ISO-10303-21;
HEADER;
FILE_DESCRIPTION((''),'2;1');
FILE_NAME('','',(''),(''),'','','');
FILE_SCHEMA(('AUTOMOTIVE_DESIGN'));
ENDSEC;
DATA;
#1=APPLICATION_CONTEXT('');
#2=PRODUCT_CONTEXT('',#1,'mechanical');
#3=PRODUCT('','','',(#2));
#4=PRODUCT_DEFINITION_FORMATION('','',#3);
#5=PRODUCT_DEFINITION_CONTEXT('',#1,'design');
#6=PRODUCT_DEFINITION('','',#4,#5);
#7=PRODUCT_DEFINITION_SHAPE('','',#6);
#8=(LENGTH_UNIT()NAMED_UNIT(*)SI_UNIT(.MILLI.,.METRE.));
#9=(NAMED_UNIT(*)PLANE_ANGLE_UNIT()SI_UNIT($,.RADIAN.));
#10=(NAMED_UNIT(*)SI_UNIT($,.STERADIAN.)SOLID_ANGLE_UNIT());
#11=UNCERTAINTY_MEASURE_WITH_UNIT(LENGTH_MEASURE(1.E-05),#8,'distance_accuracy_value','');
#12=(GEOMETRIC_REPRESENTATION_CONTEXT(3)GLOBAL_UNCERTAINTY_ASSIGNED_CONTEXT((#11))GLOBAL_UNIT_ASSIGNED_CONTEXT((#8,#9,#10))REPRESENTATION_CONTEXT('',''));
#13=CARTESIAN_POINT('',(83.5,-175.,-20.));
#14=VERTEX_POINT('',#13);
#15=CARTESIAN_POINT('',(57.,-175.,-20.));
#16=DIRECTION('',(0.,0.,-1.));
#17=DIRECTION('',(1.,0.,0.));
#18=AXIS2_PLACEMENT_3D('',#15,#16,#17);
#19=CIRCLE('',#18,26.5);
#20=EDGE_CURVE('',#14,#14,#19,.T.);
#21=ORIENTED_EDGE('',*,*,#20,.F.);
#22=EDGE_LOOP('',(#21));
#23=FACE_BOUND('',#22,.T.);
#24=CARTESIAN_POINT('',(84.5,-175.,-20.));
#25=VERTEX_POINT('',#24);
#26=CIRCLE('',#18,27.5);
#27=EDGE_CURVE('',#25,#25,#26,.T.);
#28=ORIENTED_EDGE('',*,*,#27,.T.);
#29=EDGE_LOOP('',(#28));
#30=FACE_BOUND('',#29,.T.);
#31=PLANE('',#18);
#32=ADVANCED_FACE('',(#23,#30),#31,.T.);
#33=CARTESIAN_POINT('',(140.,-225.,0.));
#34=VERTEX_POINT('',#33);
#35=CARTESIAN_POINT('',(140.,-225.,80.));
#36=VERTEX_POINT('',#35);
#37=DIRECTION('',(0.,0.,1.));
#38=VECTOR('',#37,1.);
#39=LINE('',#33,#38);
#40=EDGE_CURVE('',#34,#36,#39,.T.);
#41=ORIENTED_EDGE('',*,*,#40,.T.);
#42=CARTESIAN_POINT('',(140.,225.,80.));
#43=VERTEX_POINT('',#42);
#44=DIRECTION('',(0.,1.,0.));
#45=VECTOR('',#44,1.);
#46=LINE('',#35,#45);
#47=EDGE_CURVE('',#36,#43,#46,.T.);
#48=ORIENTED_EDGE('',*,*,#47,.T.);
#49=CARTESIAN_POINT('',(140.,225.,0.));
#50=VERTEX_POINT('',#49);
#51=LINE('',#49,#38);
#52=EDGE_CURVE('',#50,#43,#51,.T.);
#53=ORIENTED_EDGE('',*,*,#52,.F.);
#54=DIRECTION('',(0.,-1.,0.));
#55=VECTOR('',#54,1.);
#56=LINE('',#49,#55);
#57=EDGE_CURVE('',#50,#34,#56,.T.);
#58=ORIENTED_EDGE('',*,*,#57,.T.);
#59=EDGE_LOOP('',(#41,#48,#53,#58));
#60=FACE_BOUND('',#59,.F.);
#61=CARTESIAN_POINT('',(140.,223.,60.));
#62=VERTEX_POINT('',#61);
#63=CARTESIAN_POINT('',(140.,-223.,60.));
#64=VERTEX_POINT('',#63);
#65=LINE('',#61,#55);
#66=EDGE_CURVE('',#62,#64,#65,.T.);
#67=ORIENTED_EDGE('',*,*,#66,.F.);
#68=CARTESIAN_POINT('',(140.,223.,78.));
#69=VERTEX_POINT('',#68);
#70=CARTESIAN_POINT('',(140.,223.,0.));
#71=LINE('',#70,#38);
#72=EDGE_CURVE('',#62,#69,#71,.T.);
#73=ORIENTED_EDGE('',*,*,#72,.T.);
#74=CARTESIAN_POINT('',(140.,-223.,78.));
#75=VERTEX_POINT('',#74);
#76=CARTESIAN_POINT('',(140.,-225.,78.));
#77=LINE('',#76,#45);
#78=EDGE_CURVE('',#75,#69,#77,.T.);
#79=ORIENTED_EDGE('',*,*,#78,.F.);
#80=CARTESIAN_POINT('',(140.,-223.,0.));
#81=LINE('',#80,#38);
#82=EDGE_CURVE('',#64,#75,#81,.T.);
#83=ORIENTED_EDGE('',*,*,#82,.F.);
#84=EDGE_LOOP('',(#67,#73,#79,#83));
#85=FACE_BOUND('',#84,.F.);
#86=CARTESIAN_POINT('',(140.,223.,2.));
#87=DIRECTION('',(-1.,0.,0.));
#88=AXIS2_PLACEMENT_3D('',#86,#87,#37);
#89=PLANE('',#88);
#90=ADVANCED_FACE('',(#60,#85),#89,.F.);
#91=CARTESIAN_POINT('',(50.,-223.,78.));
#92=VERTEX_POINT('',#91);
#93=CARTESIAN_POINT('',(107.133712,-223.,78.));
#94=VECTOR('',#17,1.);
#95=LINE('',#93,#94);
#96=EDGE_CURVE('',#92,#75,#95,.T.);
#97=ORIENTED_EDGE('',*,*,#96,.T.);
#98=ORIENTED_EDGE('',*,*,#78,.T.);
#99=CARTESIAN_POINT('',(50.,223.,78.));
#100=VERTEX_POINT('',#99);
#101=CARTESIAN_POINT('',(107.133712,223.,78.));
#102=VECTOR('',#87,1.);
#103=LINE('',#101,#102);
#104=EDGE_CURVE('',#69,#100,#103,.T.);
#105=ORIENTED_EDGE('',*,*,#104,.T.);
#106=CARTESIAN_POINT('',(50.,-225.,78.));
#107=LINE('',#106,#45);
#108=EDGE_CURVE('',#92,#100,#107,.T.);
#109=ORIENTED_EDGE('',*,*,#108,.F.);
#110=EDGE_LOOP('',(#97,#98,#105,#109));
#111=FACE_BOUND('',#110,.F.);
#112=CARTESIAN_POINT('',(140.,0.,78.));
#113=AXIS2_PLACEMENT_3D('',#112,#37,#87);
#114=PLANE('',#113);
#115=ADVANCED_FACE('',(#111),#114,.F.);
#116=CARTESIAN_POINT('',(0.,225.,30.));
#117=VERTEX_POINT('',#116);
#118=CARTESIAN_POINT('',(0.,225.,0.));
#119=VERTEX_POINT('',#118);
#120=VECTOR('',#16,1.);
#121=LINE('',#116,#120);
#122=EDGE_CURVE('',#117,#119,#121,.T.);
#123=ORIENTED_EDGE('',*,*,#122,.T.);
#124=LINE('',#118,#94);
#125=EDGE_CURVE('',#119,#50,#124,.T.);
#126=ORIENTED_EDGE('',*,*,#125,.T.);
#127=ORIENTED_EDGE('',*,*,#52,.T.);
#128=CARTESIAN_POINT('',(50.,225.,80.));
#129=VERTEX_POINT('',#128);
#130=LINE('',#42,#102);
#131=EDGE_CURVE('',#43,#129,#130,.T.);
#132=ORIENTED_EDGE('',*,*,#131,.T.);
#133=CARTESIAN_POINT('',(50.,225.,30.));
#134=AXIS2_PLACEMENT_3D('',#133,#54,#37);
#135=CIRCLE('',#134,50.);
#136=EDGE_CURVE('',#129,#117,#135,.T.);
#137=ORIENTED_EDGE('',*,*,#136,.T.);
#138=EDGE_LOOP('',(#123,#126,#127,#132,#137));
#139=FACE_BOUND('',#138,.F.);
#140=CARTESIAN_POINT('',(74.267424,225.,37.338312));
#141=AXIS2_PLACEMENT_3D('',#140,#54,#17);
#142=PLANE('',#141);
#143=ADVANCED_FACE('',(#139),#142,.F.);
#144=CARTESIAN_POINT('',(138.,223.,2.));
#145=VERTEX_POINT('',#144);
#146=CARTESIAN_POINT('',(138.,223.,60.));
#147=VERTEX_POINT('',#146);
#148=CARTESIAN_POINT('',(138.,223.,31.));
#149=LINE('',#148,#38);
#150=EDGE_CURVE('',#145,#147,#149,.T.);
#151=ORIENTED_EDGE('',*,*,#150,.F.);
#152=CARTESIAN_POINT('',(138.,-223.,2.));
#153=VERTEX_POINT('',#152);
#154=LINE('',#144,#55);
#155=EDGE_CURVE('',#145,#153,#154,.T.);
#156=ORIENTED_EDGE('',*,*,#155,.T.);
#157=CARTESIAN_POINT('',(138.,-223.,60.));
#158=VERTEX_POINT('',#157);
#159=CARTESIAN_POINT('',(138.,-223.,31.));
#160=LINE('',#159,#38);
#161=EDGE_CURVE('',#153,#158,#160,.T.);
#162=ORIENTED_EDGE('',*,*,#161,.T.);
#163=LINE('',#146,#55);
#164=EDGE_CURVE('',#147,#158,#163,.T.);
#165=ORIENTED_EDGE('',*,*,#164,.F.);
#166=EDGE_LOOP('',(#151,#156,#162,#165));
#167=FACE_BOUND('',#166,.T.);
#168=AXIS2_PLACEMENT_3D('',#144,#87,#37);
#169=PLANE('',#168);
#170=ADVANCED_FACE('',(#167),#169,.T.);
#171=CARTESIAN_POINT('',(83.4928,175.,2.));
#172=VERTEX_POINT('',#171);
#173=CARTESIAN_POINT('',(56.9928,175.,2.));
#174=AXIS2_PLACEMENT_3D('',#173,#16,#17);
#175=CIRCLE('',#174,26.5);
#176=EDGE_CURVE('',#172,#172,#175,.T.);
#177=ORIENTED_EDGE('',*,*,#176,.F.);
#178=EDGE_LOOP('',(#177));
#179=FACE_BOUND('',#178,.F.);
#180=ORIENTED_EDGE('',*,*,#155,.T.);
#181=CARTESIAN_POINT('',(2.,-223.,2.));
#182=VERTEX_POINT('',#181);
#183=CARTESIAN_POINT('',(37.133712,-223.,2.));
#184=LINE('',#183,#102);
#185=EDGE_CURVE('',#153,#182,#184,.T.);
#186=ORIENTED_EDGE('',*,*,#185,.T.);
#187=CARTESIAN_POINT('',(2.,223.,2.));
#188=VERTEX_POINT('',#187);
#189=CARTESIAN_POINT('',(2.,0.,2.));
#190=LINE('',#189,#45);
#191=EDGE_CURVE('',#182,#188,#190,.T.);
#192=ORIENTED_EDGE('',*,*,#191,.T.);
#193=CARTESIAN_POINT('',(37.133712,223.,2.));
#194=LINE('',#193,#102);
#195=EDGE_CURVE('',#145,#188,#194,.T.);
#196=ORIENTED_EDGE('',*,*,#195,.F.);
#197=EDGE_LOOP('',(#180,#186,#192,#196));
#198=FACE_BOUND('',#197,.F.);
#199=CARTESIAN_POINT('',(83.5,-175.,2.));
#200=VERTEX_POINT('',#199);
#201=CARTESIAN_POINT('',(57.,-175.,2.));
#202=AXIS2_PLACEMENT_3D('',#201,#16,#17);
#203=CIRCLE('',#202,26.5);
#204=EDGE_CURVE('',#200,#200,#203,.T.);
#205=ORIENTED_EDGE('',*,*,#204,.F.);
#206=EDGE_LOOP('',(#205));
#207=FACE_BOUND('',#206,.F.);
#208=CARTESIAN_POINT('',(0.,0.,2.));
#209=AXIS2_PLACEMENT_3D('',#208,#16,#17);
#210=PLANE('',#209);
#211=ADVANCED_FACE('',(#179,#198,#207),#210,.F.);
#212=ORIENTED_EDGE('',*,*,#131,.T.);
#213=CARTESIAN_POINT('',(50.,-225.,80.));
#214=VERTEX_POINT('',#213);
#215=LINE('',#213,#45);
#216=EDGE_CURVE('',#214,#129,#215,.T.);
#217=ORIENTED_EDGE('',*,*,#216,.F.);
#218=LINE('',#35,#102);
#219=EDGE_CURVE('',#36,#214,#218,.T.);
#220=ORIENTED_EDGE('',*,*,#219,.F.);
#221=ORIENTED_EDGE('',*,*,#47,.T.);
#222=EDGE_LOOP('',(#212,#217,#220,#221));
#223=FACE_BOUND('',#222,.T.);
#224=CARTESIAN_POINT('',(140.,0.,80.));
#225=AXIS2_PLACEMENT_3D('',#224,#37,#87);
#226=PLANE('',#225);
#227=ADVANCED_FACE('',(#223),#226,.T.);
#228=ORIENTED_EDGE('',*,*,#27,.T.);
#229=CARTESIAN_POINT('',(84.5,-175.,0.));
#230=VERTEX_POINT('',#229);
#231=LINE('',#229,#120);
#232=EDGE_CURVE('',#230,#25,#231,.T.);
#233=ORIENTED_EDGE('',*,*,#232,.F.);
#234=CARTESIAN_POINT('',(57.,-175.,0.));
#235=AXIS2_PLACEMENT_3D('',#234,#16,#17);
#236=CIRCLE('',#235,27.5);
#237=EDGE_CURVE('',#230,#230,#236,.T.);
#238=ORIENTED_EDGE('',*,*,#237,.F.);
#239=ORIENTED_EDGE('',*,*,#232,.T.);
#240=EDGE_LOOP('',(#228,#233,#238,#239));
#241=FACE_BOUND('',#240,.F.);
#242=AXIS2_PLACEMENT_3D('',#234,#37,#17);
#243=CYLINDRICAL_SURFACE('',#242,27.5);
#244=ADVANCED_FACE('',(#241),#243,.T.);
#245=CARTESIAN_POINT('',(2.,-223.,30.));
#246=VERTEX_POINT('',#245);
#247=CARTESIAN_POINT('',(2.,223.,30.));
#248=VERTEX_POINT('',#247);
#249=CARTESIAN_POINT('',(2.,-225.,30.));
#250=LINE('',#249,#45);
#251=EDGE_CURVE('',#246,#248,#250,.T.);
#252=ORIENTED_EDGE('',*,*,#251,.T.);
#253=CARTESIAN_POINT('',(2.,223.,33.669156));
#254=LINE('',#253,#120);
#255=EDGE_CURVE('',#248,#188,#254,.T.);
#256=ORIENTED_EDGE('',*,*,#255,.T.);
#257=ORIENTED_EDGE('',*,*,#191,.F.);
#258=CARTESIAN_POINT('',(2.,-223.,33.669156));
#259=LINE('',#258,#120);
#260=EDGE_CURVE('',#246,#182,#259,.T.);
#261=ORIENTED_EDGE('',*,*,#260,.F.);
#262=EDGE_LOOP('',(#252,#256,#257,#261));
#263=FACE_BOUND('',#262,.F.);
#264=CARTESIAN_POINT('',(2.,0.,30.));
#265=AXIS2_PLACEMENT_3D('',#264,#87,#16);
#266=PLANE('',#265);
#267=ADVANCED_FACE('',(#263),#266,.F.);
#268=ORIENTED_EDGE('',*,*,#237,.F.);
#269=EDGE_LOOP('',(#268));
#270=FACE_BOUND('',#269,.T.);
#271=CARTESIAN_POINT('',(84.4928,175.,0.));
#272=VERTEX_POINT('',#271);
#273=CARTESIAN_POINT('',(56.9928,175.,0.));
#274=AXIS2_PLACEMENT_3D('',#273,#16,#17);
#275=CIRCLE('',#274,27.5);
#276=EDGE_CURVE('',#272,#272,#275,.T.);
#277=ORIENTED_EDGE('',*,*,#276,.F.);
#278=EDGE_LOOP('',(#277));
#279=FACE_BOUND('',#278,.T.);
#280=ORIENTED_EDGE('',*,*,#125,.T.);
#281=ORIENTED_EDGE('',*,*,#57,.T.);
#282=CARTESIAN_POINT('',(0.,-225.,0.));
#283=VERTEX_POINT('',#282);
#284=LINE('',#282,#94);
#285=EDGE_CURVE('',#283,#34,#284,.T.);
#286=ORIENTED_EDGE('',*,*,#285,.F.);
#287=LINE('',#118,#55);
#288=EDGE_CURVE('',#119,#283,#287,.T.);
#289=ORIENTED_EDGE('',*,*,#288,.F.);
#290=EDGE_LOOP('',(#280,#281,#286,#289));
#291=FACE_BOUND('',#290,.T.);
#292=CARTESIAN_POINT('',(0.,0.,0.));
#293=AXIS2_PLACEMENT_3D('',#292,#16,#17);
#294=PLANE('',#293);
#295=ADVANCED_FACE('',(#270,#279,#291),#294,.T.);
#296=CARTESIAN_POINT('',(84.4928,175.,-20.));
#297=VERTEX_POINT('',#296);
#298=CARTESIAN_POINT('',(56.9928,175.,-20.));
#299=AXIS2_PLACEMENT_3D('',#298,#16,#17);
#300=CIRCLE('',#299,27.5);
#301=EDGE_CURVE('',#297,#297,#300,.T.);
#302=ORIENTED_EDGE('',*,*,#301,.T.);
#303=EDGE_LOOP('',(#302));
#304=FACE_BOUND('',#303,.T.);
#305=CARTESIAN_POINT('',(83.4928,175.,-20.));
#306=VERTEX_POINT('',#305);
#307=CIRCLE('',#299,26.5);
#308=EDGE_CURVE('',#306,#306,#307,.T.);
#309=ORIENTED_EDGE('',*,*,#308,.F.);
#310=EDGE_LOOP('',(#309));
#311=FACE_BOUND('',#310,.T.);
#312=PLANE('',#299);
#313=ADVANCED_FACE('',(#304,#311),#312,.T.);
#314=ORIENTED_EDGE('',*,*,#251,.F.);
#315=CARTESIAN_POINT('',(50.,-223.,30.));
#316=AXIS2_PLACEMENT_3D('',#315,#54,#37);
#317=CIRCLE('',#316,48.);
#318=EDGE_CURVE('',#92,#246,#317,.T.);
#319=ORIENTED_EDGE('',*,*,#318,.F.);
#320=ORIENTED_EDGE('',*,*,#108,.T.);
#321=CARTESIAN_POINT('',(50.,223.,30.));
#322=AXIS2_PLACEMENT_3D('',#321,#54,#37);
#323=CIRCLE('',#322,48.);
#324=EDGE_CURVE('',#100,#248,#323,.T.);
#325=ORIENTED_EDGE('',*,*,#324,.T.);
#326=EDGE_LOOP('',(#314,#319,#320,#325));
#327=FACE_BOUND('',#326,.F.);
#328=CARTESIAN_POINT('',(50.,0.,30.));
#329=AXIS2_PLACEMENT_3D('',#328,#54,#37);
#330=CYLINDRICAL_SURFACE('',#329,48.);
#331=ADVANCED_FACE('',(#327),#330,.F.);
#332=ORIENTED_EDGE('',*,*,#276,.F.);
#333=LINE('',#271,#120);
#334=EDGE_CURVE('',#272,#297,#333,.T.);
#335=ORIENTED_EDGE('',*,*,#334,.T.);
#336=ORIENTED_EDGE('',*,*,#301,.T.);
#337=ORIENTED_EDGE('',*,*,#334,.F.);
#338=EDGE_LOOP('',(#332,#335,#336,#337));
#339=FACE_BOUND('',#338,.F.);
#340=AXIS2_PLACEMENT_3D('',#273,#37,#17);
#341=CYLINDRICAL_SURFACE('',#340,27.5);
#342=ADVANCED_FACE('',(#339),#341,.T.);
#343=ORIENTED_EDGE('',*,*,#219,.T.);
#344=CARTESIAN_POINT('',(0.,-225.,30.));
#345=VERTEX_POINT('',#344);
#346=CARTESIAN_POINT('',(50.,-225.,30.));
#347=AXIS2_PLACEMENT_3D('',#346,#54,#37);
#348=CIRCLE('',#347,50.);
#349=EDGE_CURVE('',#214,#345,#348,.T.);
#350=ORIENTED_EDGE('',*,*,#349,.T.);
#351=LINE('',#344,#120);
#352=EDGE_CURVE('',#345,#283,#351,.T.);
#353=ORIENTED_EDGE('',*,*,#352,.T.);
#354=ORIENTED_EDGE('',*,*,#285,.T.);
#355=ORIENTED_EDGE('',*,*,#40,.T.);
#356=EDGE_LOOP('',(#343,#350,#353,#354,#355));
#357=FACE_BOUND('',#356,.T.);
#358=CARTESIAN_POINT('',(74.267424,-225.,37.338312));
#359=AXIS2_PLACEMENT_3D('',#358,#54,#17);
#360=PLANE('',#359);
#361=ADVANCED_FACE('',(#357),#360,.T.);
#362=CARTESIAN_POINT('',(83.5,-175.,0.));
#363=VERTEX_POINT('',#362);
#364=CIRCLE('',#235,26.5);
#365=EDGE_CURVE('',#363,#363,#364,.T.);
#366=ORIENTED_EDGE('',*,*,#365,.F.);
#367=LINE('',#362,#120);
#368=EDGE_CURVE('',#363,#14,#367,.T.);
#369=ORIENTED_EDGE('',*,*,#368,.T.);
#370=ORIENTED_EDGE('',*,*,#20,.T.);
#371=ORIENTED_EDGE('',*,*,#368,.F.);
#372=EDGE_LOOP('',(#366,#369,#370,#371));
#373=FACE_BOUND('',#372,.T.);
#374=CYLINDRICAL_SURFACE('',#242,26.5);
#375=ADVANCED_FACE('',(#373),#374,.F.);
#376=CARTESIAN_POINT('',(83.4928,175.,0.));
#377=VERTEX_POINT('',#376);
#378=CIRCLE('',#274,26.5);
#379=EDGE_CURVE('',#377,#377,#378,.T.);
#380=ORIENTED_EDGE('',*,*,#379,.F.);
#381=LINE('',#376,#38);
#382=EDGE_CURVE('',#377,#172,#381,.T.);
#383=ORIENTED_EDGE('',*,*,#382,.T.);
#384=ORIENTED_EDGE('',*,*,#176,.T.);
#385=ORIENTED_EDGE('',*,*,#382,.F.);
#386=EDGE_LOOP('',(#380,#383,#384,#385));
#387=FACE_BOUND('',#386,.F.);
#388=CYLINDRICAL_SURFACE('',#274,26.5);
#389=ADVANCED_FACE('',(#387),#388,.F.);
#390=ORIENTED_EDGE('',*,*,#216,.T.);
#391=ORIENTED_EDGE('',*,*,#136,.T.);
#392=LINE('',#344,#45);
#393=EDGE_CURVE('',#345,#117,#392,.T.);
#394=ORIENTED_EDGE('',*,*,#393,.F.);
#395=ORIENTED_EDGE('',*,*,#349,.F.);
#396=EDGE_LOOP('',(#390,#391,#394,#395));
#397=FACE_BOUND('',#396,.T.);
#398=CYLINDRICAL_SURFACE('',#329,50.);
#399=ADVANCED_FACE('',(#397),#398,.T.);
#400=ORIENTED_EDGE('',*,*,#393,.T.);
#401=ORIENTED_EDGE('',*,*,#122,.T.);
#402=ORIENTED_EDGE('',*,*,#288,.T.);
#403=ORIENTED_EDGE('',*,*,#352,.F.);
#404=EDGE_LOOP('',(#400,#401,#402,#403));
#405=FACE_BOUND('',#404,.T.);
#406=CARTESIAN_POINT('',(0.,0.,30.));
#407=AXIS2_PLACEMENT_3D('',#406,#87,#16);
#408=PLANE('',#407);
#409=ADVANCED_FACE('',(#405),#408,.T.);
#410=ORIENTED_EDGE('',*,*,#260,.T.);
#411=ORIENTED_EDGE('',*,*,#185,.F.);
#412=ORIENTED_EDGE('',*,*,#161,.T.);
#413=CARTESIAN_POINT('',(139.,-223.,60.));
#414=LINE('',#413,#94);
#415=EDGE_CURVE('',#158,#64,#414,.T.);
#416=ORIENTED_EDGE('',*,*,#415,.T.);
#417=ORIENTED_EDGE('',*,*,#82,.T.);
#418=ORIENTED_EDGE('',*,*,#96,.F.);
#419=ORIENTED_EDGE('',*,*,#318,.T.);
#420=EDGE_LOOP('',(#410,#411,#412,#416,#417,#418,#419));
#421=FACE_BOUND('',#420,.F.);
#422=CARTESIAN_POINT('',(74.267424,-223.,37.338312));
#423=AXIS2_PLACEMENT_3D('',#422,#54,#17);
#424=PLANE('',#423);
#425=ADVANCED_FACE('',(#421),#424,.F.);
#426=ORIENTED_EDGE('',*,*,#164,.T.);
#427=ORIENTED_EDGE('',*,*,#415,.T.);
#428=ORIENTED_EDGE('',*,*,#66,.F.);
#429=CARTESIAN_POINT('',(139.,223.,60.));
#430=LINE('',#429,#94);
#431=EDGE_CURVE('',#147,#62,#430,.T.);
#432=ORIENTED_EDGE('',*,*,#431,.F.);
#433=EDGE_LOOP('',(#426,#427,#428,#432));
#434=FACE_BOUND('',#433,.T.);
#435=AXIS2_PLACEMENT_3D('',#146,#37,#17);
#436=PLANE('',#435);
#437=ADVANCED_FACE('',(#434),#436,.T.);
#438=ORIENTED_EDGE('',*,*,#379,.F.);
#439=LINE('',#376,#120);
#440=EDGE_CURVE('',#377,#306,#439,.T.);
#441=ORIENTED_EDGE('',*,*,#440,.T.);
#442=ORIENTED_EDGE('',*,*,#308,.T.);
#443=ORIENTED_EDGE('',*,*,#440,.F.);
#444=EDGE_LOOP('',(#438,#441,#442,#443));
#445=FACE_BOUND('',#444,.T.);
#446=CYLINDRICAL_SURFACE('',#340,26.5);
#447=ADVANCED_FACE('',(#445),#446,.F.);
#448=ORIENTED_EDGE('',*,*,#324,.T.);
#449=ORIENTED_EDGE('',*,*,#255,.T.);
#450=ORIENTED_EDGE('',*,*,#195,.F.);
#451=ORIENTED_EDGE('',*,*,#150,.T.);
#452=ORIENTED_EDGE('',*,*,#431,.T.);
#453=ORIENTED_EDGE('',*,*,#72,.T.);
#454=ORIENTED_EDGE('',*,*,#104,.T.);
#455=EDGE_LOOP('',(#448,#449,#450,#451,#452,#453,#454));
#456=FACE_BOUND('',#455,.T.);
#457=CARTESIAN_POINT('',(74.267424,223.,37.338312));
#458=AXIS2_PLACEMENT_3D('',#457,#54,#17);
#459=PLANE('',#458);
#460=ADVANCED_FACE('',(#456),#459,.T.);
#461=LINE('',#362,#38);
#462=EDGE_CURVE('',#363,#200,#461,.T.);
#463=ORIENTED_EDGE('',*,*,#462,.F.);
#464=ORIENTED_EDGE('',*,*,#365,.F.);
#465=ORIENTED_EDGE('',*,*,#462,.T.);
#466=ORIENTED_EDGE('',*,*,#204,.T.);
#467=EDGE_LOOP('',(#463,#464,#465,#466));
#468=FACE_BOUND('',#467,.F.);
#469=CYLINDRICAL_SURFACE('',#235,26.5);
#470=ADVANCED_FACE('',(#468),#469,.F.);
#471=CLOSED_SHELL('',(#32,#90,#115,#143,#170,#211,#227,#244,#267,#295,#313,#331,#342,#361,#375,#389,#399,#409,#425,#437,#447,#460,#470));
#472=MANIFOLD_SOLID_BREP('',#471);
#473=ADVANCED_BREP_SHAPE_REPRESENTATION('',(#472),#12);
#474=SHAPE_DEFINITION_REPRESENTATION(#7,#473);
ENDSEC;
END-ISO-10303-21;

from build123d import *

# Parameters (mm, degrees)
F1_DEPTH = 225
F2_T     = -2
F3_W     = 2
F3_H     = 58
F4_DEPTH = 446
F5_R     = 26.5
F6_DEPTH = 25.4
F7_R     = 27.5
F7_R_2   = 26.5
F8_DEPTH = 20


with BuildPart() as f1:
    # F0 (on Front) → F1 (new body, symmetric)
    with BuildSketch(Plane.XZ):
        with BuildLine():
            Line((0, 30), (0, 0))
            Line((0, 0), (140, 0))
            Line((140, 0), (140, 80))
            Line((140, 80), (50, 80))
            ThreePointArc((50, 80), (14.6446609407, 65.3553390593), (0, 30))
        make_face()
    extrude(amount=F1_DEPTH, both=True)

    # F2
    f2_openings = [f1.faces().sort_by_distance(p)[0] for p in [
        (140, 0, 40),
    ]]
    offset(amount=F2_T, openings=f2_openings)

    # F3 (on face) → F4 (join, through all)
    with BuildSketch(Plane.XZ.offset(-223)):
        with Locations((139, 31)):
            Rectangle(F3_W, F3_H)
    extrude(amount=F4_DEPTH)

    # F5 (on face) → F6 (cut)
    with BuildSketch(Plane(origin=(0, 0, 0), x_dir=(1, 0, 0), z_dir=(0, 0, -1))):
        with Locations((57, 175)):
            Circle(F5_R)
        with Locations((56.9928, -175)):
            Circle(F5_R)
    extrude(amount=-F6_DEPTH, mode=Mode.SUBTRACT)

    # F7 (on face) → F8 (join)
    with BuildSketch(Plane(origin=(0, 0, 0), x_dir=(1, 0, 0), z_dir=(0, 0, -1))):
        with Locations((57, 175)):
            Circle(F7_R)
        with Locations((57, 175)):
            Circle(F7_R_2, mode=Mode.SUBTRACT)
        with Locations((56.9928, -175)):
            Circle(F7_R)
        with Locations((56.9928, -175)):
            Circle(F7_R_2, mode=Mode.SUBTRACT)
    extrude(amount=F8_DEPTH)


solid = f1.part
